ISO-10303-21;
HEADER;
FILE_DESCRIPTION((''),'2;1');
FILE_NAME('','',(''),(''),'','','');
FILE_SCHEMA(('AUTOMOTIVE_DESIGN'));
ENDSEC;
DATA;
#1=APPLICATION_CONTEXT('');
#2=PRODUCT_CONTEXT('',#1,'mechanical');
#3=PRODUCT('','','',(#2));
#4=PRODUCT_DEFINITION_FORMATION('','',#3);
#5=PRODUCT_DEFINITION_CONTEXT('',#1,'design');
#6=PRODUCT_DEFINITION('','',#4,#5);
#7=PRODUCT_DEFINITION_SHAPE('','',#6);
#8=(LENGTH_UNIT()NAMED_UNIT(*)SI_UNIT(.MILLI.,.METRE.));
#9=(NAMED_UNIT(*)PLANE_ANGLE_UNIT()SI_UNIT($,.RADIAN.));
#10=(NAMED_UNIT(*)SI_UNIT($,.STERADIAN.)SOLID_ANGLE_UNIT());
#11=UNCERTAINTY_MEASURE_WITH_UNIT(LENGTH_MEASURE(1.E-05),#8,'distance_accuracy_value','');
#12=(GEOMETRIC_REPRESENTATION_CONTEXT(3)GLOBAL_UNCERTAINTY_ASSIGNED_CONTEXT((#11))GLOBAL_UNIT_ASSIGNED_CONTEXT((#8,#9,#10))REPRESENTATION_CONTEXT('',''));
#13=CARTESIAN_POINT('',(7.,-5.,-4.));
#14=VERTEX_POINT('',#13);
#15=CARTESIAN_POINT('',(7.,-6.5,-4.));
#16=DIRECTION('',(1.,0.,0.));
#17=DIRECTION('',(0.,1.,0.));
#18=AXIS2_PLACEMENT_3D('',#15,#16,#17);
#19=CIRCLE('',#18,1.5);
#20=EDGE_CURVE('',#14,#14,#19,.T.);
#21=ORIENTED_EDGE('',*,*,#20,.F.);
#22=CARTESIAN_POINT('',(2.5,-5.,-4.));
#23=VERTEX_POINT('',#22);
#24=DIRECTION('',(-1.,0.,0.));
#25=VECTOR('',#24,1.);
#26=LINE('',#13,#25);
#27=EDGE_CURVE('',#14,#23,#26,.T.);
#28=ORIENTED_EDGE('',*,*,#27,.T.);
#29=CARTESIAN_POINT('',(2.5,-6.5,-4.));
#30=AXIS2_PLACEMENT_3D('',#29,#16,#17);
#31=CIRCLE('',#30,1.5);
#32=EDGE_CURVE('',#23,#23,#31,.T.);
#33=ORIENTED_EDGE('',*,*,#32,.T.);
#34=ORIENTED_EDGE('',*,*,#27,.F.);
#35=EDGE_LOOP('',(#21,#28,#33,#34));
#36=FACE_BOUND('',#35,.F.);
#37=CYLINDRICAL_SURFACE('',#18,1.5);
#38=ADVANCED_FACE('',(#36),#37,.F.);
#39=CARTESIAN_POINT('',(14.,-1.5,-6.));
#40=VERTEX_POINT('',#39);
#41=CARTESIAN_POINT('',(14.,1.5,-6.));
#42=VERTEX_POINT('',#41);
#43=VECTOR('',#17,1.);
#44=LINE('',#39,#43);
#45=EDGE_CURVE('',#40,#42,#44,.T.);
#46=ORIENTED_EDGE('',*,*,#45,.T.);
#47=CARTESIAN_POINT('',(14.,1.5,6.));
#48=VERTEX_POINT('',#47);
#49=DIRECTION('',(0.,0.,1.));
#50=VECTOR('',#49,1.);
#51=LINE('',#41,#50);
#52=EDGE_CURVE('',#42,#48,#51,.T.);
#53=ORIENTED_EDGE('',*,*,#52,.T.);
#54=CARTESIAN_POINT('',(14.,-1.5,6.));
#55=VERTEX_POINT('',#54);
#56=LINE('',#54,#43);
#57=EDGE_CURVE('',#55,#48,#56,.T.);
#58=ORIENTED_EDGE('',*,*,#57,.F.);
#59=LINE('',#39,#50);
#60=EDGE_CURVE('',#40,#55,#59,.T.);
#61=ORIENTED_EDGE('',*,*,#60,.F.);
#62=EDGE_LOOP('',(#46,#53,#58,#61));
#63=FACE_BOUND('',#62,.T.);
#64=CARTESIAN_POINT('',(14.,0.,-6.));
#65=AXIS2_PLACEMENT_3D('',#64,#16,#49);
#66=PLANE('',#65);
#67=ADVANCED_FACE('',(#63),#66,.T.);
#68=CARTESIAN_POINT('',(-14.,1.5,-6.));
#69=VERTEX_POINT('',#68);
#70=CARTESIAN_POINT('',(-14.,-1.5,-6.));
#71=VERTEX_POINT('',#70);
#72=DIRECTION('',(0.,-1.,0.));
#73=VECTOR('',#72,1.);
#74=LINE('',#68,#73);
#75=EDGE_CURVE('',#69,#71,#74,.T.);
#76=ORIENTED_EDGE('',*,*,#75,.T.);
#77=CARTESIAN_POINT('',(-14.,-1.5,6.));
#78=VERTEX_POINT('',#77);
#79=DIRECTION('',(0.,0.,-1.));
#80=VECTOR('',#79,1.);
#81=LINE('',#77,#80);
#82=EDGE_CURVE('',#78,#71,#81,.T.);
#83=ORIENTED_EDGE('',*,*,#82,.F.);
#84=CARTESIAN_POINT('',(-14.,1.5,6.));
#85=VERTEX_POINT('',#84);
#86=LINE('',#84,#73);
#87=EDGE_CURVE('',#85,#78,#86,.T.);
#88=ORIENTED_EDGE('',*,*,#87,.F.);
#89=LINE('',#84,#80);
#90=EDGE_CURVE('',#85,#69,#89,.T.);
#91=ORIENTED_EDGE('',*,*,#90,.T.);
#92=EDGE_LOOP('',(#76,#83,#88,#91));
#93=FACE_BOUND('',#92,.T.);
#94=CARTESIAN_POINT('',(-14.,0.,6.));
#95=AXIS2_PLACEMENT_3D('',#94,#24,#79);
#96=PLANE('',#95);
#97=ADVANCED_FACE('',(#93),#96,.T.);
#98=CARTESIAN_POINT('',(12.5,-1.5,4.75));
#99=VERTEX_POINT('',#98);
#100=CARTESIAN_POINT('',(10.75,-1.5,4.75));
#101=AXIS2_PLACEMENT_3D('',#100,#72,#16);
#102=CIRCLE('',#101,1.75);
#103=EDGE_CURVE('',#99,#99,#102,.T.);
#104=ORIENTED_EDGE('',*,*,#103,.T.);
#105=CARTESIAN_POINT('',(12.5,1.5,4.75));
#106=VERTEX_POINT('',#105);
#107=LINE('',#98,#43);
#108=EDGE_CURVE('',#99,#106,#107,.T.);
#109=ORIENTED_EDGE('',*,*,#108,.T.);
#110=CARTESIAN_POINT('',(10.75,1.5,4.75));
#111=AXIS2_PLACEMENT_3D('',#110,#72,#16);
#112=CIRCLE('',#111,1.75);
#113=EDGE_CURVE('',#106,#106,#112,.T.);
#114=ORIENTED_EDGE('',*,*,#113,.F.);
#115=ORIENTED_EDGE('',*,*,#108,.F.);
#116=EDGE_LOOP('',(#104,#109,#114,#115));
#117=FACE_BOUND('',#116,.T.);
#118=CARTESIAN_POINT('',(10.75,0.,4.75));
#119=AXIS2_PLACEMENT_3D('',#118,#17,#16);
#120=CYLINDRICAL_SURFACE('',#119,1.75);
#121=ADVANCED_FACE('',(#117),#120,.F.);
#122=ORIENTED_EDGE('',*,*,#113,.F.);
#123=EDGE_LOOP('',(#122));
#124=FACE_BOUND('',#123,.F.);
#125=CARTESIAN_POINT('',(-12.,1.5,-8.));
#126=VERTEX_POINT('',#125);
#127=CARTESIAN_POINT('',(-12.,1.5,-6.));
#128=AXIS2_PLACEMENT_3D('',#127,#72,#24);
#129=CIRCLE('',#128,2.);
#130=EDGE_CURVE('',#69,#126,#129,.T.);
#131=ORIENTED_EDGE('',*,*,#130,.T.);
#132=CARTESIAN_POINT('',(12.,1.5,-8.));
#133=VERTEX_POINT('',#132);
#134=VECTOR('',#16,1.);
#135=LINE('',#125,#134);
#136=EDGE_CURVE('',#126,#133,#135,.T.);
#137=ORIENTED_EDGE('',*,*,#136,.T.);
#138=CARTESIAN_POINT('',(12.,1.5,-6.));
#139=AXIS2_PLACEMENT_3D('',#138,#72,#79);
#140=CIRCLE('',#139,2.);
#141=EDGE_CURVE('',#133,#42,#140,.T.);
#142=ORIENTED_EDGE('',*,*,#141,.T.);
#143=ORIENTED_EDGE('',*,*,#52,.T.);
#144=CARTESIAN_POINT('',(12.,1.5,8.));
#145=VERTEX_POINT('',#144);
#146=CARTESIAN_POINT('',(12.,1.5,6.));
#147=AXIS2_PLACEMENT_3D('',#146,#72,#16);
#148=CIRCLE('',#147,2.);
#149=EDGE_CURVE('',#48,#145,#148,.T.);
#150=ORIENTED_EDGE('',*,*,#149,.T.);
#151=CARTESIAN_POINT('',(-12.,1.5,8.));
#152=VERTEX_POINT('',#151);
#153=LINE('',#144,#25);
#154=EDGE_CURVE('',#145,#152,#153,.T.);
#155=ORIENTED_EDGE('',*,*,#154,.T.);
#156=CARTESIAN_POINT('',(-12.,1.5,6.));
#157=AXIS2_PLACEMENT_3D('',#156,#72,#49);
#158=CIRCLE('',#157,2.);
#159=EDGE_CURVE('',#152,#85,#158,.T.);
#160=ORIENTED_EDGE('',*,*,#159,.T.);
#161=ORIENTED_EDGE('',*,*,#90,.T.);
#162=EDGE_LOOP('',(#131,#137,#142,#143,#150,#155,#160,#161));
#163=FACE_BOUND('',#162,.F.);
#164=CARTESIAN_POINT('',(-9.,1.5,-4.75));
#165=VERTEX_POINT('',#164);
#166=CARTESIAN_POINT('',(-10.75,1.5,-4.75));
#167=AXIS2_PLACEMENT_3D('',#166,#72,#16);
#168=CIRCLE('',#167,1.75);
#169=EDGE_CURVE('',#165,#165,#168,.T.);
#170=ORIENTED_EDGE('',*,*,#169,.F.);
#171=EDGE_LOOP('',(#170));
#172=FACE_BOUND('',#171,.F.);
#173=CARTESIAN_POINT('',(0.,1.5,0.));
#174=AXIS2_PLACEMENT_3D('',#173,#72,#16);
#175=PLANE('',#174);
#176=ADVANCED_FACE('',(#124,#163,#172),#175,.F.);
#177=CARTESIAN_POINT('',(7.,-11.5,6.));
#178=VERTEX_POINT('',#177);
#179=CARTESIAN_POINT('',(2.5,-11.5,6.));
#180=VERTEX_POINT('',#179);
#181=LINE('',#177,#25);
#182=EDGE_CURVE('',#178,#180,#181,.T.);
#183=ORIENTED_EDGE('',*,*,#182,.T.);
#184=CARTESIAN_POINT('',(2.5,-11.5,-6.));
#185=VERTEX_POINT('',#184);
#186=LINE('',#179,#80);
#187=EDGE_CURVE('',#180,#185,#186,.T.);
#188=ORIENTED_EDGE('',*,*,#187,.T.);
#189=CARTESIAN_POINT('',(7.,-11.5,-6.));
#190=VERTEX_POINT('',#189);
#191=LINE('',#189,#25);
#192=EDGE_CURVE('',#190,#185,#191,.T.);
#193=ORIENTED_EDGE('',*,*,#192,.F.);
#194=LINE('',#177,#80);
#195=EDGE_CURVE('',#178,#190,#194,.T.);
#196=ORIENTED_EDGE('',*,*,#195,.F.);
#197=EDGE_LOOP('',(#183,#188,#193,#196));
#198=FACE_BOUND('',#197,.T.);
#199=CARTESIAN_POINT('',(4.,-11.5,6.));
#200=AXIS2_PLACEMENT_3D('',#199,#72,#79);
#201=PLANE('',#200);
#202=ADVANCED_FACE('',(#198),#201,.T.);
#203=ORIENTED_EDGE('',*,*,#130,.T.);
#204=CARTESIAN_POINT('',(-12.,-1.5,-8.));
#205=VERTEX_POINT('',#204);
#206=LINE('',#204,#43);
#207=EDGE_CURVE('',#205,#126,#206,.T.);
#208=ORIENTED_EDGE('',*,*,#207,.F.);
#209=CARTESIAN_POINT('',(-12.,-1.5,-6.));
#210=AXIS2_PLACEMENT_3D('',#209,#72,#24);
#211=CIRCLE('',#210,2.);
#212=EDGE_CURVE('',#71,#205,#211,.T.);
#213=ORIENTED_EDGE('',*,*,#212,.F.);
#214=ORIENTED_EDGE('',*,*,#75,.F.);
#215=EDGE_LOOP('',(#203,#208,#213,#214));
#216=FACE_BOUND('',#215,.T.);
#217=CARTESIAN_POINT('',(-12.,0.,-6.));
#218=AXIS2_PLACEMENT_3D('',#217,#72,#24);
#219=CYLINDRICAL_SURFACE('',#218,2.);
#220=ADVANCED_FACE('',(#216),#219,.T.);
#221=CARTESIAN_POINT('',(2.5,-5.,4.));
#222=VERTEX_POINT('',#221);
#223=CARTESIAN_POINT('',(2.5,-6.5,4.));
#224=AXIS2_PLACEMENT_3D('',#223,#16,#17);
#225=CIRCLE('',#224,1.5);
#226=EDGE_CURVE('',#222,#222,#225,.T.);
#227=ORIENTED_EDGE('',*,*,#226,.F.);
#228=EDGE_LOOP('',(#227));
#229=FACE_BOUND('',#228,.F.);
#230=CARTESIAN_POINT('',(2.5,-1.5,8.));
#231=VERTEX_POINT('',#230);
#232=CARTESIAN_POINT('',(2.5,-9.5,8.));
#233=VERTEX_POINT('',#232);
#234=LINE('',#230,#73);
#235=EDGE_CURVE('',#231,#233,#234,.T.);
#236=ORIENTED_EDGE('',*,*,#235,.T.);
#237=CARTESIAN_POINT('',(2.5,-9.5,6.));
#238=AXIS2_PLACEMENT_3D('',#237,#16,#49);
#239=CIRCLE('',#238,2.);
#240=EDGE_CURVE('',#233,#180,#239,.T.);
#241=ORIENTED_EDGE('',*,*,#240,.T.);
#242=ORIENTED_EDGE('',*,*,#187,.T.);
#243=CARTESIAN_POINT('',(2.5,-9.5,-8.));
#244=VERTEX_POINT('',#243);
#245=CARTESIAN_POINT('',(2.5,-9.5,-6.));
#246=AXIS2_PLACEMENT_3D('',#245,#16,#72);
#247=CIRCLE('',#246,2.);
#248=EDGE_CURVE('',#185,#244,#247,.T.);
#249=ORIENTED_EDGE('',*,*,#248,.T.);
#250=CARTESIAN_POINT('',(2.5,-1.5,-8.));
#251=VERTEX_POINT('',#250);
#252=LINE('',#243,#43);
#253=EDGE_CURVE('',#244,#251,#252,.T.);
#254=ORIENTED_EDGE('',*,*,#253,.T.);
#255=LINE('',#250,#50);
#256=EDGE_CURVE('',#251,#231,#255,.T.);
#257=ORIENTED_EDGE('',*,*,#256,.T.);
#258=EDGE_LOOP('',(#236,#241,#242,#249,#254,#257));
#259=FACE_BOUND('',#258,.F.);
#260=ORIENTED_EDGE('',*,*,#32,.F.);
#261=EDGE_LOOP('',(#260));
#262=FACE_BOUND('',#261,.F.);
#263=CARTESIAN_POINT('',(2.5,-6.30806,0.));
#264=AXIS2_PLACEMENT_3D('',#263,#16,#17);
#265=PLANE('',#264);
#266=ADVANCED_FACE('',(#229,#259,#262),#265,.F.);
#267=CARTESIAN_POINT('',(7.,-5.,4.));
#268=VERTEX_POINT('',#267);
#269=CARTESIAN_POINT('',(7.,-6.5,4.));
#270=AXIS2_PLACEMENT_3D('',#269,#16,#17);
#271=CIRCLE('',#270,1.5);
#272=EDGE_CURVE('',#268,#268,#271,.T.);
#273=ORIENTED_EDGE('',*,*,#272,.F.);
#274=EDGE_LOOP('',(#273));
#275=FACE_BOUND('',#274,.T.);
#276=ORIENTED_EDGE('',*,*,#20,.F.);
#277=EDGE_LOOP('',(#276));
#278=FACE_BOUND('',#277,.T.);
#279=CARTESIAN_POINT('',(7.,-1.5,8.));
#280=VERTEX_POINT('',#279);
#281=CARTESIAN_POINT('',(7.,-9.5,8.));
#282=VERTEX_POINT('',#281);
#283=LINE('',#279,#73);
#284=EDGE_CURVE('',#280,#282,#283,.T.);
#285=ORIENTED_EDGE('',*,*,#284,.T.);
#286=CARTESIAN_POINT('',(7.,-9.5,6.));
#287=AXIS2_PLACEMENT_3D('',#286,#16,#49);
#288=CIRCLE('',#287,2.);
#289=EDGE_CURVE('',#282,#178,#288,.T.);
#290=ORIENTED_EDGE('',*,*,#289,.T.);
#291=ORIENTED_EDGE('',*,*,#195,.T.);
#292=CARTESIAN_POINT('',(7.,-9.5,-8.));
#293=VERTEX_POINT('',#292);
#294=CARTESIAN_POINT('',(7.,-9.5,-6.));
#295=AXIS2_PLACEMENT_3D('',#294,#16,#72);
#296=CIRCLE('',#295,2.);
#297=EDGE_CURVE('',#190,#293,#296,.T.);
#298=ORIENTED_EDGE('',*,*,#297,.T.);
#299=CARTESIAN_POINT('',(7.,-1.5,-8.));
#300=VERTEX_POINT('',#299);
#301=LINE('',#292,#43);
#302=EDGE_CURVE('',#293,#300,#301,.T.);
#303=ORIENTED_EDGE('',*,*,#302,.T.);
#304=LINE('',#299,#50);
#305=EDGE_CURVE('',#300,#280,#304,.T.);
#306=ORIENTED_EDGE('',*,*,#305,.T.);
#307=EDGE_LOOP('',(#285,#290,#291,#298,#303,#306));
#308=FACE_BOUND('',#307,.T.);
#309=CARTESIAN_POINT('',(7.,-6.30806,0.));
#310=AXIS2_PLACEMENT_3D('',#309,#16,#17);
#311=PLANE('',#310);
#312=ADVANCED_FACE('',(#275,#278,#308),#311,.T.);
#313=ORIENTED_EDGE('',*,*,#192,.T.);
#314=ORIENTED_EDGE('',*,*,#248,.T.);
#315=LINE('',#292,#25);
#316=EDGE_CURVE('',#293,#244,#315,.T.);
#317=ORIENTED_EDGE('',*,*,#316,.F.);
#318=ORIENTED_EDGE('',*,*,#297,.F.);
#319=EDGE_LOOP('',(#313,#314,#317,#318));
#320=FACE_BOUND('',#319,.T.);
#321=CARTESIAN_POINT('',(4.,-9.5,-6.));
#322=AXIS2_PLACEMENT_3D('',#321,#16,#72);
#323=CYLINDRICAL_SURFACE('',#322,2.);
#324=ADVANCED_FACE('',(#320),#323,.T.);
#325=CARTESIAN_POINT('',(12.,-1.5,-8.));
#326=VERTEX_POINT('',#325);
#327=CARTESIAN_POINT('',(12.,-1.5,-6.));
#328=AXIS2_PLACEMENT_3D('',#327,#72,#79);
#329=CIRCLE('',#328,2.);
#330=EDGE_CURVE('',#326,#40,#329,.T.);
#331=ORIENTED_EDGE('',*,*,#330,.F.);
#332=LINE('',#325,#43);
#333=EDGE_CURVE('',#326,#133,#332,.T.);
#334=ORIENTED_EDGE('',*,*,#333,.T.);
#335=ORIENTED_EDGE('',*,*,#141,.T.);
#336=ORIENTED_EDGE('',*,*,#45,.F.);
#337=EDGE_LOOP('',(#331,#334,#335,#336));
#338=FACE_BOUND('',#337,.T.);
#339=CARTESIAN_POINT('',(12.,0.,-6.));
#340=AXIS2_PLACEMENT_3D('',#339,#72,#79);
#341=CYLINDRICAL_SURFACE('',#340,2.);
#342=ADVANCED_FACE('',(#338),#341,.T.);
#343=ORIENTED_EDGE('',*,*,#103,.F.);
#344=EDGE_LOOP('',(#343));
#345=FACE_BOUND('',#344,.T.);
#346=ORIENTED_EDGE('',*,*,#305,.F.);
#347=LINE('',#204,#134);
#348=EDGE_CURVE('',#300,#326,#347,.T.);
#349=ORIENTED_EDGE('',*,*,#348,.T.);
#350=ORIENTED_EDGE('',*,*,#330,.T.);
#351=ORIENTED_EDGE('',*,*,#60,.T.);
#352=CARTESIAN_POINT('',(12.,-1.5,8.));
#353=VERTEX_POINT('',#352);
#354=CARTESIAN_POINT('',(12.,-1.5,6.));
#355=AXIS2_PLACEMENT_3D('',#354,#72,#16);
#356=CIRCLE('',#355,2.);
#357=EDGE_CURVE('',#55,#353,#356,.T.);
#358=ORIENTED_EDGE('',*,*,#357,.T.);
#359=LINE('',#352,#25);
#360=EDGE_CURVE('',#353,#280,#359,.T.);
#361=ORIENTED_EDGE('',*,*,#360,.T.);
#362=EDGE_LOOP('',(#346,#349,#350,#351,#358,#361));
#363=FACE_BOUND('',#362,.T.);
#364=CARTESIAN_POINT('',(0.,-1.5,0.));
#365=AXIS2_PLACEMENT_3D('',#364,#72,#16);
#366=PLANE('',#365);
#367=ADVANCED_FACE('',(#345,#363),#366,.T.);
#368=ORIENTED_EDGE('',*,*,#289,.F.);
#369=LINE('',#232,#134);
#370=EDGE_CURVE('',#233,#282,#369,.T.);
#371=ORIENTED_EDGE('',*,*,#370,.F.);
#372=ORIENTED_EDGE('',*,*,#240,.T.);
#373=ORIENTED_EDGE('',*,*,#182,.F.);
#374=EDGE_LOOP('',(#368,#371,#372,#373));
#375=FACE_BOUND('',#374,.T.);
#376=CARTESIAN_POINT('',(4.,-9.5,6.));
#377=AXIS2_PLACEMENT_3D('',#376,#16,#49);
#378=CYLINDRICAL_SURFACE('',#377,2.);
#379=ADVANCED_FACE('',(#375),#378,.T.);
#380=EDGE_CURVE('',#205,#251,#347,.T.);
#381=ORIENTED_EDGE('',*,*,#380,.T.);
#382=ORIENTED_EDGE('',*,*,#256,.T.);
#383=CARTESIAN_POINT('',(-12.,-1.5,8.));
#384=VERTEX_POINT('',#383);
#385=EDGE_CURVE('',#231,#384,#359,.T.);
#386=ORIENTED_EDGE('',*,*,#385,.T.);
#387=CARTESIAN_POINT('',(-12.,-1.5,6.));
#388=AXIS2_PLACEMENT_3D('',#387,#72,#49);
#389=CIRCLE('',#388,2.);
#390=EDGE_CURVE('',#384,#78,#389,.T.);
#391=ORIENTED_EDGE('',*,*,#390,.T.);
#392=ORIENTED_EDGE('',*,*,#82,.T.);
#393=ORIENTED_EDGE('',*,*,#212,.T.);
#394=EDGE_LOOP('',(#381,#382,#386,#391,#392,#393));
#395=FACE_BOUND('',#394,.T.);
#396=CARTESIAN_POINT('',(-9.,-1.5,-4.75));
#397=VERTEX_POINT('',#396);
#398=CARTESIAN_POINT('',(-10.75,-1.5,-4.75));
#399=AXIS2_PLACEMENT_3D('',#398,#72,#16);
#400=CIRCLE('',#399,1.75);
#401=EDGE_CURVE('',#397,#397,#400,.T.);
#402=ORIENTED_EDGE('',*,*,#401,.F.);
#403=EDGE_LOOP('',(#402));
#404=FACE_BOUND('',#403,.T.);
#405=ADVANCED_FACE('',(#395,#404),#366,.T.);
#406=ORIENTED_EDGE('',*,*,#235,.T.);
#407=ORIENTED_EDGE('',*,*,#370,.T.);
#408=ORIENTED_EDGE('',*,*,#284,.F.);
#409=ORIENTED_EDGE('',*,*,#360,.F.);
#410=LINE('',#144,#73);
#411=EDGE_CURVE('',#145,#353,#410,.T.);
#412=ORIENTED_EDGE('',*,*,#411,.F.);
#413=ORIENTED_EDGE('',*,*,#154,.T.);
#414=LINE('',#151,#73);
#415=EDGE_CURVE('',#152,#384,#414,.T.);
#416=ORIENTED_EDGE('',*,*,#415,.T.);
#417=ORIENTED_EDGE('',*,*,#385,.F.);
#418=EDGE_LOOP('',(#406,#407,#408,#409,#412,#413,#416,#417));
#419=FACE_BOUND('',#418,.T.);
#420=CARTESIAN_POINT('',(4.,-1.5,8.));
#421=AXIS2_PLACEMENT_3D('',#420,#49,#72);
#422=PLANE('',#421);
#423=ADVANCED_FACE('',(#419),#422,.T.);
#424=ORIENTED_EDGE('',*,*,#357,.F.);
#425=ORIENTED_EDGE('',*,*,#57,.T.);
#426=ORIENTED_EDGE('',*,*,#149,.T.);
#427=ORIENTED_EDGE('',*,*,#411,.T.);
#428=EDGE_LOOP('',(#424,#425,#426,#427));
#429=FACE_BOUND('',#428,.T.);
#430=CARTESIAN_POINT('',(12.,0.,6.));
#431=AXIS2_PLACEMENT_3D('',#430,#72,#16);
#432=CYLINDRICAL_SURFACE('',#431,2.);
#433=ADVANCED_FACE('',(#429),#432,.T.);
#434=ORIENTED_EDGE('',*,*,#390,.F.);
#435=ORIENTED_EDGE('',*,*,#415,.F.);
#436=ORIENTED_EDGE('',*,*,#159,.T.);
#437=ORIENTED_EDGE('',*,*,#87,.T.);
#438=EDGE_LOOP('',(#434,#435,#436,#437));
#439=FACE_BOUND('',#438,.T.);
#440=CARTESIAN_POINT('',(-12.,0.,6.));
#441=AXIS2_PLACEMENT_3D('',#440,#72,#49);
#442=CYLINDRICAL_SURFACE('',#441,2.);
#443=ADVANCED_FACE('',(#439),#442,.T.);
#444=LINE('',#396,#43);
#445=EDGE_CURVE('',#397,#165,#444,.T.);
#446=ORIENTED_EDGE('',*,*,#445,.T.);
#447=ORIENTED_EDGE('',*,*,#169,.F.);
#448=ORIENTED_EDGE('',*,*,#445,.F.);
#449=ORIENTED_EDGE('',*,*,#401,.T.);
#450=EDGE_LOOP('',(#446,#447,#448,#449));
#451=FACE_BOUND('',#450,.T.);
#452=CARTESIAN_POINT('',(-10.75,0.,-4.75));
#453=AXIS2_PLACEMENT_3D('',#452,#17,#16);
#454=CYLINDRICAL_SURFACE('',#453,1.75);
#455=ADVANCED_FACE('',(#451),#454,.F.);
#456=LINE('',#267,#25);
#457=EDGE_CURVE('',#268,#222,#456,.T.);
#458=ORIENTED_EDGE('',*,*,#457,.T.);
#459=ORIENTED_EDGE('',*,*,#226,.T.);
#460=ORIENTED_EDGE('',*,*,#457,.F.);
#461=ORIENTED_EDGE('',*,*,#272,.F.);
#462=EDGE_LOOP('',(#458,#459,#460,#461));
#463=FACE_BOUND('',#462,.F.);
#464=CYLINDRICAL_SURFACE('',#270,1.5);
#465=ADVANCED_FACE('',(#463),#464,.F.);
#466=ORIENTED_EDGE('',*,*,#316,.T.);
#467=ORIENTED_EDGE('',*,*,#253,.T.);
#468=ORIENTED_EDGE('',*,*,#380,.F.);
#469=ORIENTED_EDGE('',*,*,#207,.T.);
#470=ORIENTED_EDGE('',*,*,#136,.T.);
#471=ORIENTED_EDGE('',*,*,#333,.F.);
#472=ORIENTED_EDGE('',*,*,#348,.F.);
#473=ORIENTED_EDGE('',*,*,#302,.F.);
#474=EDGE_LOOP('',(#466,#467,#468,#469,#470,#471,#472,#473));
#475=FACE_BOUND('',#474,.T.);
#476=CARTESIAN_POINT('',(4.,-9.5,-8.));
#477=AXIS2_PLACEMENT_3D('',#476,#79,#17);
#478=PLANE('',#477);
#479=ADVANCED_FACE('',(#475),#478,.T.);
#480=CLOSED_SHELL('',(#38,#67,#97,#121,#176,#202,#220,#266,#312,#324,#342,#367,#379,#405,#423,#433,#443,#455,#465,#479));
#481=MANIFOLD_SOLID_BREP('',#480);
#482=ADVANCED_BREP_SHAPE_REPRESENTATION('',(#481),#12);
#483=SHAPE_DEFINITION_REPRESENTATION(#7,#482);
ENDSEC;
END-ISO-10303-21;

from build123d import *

# Parameters (mm, degrees)
F0_R     = 1.75
F1_DEPTH = 1.5
F4_DEPTH = 3
F5_DEPTH = 1.5
F6_R     = 1.5
F7_DEPTH = 21.001


with BuildPart() as f1:
    # F0 (on Front) → F1 (new body, symmetric)
    with BuildSketch(Plane.XZ):
        with BuildLine():
            ThreePointArc((14, 6), (13.4142135624, 7.4142135624), (12, 8))
            Line((12, 8), (-12, 8))
            ThreePointArc((-12, 8), (-13.4142135624, 7.4142135624), (-14, 6))
            Line((-14, 6), (-14, -6))
            ThreePointArc((-14, -6), (-13.4142135624, -7.4142135624), (-12, -8))
            Line((-12, -8), (12, -8))
            ThreePointArc((12, -8), (13.4142135624, -7.4142135624), (14, -6))
            Line((14, -6), (14, 6))
        make_face()
        with Locations((-10.75, -4.75)):
            Circle(F0_R, mode=Mode.SUBTRACT)
        with Locations((10.75, 4.75)):
            Circle(F0_R, mode=Mode.SUBTRACT)
    extrude(amount=F1_DEPTH, both=True)

    # F3 (on offset) → F4 (join)
    with BuildSketch(Plane.YZ.offset(4)):
        with BuildLine():
            Line((-9.5, -8), (-1.5, -8))
            Line((-1.5, -8), (-1.5, 8))
            Line((-1.5, 8), (-9.5, 8))
            ThreePointArc((-9.5, 8), (-10.9142135624, 7.4142135624), (-11.5, 6))
            Line((-11.5, 6), (-11.5, -6))
            ThreePointArc((-11.5, -6), (-10.9142135624, -7.4142135624), (-9.5, -8))
        make_face()
    extrude(amount=F4_DEPTH)

    # F3 (on offset) → F5 (join, symmetric)
    with BuildSketch(Plane.YZ.offset(4)):
        with BuildLine():
            Line((-9.5, -8), (-1.5, -8))
            Line((-1.5, -8), (-1.5, 8))
            Line((-1.5, 8), (-9.5, 8))
            ThreePointArc((-9.5, 8), (-10.9142135624, 7.4142135624), (-11.5, 6))
            Line((-11.5, 6), (-11.5, -6))
            ThreePointArc((-11.5, -6), (-10.9142135624, -7.4142135624), (-9.5, -8))
        make_face()
    extrude(amount=F5_DEPTH, both=True)

    # F6 (on face) → F7 (cut, through all)
    with BuildSketch(Plane.YZ.offset(7)):
        with Locations((-6.5, 4)):
            Circle(F6_R)
        with Locations((-6.5, -4)):
            Circle(F6_R)
    extrude(amount=-F7_DEPTH, mode=Mode.SUBTRACT)


solid = f1.part
